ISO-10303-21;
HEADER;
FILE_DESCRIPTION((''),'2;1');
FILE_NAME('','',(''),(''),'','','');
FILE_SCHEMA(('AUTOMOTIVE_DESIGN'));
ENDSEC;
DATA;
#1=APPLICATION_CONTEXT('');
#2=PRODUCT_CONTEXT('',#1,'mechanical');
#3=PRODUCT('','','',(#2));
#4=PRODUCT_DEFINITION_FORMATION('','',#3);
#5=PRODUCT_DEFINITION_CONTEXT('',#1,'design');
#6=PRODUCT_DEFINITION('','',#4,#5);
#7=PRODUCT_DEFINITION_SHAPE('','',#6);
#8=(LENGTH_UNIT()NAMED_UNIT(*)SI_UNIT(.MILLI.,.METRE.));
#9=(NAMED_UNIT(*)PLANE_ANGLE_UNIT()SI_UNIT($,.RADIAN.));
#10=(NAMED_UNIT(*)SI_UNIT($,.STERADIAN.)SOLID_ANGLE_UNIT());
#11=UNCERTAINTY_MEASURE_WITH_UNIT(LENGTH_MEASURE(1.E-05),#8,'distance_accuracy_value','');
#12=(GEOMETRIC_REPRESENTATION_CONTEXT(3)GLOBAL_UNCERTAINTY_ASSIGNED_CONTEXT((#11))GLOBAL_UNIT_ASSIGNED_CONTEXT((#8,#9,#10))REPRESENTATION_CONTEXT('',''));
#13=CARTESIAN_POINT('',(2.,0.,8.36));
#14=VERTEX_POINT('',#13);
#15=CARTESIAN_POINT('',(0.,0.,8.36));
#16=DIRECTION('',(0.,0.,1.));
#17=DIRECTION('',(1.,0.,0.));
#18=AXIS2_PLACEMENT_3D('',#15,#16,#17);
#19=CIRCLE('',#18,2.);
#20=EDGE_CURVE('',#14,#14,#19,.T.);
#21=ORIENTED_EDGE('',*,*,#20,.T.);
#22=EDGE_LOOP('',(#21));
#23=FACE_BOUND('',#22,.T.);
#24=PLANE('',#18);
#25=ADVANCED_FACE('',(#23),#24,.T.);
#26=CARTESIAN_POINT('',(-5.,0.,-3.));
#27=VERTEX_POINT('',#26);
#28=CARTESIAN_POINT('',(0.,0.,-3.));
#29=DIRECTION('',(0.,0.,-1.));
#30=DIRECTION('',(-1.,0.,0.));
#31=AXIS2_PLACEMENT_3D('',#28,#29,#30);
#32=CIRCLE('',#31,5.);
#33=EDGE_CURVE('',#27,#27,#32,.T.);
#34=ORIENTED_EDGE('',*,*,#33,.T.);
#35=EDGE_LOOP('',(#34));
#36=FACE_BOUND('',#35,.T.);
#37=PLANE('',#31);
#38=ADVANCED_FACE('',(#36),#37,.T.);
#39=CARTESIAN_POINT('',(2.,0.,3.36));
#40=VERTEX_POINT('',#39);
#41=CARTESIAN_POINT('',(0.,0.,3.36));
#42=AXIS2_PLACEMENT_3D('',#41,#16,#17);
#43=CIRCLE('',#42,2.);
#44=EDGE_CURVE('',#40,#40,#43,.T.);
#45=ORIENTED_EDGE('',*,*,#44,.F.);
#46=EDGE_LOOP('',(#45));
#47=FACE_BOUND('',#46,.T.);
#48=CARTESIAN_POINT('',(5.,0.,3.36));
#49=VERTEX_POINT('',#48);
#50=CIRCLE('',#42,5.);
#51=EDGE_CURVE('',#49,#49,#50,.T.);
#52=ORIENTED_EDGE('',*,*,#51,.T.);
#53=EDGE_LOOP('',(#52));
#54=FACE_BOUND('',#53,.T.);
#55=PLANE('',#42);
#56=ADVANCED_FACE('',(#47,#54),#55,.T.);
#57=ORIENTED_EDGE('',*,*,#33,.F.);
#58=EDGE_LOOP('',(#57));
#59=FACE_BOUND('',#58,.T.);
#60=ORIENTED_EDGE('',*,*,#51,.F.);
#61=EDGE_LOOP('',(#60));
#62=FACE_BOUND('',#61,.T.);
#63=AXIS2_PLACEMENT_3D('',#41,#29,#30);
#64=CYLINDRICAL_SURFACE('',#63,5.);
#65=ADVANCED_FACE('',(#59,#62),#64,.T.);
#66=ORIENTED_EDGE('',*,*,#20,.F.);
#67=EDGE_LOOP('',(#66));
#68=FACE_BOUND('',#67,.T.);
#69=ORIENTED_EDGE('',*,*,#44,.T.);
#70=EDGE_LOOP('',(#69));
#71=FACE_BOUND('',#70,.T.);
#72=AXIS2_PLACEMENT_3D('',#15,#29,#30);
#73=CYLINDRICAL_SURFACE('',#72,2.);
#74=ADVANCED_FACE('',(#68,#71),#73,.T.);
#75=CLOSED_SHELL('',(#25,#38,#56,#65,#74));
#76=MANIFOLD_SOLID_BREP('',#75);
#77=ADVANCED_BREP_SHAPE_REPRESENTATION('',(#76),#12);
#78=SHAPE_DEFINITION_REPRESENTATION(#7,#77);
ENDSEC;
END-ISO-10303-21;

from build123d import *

# Parameters (mm, degrees)
SKETCH1_R           = 5
BOSS_EXTRUDE1_DEPTH = 3.36
SKETCH2_R           = 2
BOSS_EXTRUDE2_DEPTH = 5
SKETCH3_R           = 5
BOSS_EXTRUDE3_DEPTH = 3


with BuildPart() as part:
    # Sketch1 → Boss-Extrude1 (new body)
    with BuildSketch(Plane.XY):
        Circle(SKETCH1_R)
    extrude(amount=BOSS_EXTRUDE1_DEPTH)

    # Sketch2 → Boss-Extrude2 (add)
    with BuildSketch(Plane.XY.offset(3.36)):
        Circle(SKETCH2_R)
    extrude(amount=BOSS_EXTRUDE2_DEPTH)

    # Sketch3 → Boss-Extrude3 (add)
    with BuildSketch(Plane(origin=(0, 0, 0), x_dir=(-1, 0, 0), z_dir=(0, 0, -1))):
        Circle(SKETCH3_R)
    extrude(amount=BOSS_EXTRUDE3_DEPTH)


solid = part.part
